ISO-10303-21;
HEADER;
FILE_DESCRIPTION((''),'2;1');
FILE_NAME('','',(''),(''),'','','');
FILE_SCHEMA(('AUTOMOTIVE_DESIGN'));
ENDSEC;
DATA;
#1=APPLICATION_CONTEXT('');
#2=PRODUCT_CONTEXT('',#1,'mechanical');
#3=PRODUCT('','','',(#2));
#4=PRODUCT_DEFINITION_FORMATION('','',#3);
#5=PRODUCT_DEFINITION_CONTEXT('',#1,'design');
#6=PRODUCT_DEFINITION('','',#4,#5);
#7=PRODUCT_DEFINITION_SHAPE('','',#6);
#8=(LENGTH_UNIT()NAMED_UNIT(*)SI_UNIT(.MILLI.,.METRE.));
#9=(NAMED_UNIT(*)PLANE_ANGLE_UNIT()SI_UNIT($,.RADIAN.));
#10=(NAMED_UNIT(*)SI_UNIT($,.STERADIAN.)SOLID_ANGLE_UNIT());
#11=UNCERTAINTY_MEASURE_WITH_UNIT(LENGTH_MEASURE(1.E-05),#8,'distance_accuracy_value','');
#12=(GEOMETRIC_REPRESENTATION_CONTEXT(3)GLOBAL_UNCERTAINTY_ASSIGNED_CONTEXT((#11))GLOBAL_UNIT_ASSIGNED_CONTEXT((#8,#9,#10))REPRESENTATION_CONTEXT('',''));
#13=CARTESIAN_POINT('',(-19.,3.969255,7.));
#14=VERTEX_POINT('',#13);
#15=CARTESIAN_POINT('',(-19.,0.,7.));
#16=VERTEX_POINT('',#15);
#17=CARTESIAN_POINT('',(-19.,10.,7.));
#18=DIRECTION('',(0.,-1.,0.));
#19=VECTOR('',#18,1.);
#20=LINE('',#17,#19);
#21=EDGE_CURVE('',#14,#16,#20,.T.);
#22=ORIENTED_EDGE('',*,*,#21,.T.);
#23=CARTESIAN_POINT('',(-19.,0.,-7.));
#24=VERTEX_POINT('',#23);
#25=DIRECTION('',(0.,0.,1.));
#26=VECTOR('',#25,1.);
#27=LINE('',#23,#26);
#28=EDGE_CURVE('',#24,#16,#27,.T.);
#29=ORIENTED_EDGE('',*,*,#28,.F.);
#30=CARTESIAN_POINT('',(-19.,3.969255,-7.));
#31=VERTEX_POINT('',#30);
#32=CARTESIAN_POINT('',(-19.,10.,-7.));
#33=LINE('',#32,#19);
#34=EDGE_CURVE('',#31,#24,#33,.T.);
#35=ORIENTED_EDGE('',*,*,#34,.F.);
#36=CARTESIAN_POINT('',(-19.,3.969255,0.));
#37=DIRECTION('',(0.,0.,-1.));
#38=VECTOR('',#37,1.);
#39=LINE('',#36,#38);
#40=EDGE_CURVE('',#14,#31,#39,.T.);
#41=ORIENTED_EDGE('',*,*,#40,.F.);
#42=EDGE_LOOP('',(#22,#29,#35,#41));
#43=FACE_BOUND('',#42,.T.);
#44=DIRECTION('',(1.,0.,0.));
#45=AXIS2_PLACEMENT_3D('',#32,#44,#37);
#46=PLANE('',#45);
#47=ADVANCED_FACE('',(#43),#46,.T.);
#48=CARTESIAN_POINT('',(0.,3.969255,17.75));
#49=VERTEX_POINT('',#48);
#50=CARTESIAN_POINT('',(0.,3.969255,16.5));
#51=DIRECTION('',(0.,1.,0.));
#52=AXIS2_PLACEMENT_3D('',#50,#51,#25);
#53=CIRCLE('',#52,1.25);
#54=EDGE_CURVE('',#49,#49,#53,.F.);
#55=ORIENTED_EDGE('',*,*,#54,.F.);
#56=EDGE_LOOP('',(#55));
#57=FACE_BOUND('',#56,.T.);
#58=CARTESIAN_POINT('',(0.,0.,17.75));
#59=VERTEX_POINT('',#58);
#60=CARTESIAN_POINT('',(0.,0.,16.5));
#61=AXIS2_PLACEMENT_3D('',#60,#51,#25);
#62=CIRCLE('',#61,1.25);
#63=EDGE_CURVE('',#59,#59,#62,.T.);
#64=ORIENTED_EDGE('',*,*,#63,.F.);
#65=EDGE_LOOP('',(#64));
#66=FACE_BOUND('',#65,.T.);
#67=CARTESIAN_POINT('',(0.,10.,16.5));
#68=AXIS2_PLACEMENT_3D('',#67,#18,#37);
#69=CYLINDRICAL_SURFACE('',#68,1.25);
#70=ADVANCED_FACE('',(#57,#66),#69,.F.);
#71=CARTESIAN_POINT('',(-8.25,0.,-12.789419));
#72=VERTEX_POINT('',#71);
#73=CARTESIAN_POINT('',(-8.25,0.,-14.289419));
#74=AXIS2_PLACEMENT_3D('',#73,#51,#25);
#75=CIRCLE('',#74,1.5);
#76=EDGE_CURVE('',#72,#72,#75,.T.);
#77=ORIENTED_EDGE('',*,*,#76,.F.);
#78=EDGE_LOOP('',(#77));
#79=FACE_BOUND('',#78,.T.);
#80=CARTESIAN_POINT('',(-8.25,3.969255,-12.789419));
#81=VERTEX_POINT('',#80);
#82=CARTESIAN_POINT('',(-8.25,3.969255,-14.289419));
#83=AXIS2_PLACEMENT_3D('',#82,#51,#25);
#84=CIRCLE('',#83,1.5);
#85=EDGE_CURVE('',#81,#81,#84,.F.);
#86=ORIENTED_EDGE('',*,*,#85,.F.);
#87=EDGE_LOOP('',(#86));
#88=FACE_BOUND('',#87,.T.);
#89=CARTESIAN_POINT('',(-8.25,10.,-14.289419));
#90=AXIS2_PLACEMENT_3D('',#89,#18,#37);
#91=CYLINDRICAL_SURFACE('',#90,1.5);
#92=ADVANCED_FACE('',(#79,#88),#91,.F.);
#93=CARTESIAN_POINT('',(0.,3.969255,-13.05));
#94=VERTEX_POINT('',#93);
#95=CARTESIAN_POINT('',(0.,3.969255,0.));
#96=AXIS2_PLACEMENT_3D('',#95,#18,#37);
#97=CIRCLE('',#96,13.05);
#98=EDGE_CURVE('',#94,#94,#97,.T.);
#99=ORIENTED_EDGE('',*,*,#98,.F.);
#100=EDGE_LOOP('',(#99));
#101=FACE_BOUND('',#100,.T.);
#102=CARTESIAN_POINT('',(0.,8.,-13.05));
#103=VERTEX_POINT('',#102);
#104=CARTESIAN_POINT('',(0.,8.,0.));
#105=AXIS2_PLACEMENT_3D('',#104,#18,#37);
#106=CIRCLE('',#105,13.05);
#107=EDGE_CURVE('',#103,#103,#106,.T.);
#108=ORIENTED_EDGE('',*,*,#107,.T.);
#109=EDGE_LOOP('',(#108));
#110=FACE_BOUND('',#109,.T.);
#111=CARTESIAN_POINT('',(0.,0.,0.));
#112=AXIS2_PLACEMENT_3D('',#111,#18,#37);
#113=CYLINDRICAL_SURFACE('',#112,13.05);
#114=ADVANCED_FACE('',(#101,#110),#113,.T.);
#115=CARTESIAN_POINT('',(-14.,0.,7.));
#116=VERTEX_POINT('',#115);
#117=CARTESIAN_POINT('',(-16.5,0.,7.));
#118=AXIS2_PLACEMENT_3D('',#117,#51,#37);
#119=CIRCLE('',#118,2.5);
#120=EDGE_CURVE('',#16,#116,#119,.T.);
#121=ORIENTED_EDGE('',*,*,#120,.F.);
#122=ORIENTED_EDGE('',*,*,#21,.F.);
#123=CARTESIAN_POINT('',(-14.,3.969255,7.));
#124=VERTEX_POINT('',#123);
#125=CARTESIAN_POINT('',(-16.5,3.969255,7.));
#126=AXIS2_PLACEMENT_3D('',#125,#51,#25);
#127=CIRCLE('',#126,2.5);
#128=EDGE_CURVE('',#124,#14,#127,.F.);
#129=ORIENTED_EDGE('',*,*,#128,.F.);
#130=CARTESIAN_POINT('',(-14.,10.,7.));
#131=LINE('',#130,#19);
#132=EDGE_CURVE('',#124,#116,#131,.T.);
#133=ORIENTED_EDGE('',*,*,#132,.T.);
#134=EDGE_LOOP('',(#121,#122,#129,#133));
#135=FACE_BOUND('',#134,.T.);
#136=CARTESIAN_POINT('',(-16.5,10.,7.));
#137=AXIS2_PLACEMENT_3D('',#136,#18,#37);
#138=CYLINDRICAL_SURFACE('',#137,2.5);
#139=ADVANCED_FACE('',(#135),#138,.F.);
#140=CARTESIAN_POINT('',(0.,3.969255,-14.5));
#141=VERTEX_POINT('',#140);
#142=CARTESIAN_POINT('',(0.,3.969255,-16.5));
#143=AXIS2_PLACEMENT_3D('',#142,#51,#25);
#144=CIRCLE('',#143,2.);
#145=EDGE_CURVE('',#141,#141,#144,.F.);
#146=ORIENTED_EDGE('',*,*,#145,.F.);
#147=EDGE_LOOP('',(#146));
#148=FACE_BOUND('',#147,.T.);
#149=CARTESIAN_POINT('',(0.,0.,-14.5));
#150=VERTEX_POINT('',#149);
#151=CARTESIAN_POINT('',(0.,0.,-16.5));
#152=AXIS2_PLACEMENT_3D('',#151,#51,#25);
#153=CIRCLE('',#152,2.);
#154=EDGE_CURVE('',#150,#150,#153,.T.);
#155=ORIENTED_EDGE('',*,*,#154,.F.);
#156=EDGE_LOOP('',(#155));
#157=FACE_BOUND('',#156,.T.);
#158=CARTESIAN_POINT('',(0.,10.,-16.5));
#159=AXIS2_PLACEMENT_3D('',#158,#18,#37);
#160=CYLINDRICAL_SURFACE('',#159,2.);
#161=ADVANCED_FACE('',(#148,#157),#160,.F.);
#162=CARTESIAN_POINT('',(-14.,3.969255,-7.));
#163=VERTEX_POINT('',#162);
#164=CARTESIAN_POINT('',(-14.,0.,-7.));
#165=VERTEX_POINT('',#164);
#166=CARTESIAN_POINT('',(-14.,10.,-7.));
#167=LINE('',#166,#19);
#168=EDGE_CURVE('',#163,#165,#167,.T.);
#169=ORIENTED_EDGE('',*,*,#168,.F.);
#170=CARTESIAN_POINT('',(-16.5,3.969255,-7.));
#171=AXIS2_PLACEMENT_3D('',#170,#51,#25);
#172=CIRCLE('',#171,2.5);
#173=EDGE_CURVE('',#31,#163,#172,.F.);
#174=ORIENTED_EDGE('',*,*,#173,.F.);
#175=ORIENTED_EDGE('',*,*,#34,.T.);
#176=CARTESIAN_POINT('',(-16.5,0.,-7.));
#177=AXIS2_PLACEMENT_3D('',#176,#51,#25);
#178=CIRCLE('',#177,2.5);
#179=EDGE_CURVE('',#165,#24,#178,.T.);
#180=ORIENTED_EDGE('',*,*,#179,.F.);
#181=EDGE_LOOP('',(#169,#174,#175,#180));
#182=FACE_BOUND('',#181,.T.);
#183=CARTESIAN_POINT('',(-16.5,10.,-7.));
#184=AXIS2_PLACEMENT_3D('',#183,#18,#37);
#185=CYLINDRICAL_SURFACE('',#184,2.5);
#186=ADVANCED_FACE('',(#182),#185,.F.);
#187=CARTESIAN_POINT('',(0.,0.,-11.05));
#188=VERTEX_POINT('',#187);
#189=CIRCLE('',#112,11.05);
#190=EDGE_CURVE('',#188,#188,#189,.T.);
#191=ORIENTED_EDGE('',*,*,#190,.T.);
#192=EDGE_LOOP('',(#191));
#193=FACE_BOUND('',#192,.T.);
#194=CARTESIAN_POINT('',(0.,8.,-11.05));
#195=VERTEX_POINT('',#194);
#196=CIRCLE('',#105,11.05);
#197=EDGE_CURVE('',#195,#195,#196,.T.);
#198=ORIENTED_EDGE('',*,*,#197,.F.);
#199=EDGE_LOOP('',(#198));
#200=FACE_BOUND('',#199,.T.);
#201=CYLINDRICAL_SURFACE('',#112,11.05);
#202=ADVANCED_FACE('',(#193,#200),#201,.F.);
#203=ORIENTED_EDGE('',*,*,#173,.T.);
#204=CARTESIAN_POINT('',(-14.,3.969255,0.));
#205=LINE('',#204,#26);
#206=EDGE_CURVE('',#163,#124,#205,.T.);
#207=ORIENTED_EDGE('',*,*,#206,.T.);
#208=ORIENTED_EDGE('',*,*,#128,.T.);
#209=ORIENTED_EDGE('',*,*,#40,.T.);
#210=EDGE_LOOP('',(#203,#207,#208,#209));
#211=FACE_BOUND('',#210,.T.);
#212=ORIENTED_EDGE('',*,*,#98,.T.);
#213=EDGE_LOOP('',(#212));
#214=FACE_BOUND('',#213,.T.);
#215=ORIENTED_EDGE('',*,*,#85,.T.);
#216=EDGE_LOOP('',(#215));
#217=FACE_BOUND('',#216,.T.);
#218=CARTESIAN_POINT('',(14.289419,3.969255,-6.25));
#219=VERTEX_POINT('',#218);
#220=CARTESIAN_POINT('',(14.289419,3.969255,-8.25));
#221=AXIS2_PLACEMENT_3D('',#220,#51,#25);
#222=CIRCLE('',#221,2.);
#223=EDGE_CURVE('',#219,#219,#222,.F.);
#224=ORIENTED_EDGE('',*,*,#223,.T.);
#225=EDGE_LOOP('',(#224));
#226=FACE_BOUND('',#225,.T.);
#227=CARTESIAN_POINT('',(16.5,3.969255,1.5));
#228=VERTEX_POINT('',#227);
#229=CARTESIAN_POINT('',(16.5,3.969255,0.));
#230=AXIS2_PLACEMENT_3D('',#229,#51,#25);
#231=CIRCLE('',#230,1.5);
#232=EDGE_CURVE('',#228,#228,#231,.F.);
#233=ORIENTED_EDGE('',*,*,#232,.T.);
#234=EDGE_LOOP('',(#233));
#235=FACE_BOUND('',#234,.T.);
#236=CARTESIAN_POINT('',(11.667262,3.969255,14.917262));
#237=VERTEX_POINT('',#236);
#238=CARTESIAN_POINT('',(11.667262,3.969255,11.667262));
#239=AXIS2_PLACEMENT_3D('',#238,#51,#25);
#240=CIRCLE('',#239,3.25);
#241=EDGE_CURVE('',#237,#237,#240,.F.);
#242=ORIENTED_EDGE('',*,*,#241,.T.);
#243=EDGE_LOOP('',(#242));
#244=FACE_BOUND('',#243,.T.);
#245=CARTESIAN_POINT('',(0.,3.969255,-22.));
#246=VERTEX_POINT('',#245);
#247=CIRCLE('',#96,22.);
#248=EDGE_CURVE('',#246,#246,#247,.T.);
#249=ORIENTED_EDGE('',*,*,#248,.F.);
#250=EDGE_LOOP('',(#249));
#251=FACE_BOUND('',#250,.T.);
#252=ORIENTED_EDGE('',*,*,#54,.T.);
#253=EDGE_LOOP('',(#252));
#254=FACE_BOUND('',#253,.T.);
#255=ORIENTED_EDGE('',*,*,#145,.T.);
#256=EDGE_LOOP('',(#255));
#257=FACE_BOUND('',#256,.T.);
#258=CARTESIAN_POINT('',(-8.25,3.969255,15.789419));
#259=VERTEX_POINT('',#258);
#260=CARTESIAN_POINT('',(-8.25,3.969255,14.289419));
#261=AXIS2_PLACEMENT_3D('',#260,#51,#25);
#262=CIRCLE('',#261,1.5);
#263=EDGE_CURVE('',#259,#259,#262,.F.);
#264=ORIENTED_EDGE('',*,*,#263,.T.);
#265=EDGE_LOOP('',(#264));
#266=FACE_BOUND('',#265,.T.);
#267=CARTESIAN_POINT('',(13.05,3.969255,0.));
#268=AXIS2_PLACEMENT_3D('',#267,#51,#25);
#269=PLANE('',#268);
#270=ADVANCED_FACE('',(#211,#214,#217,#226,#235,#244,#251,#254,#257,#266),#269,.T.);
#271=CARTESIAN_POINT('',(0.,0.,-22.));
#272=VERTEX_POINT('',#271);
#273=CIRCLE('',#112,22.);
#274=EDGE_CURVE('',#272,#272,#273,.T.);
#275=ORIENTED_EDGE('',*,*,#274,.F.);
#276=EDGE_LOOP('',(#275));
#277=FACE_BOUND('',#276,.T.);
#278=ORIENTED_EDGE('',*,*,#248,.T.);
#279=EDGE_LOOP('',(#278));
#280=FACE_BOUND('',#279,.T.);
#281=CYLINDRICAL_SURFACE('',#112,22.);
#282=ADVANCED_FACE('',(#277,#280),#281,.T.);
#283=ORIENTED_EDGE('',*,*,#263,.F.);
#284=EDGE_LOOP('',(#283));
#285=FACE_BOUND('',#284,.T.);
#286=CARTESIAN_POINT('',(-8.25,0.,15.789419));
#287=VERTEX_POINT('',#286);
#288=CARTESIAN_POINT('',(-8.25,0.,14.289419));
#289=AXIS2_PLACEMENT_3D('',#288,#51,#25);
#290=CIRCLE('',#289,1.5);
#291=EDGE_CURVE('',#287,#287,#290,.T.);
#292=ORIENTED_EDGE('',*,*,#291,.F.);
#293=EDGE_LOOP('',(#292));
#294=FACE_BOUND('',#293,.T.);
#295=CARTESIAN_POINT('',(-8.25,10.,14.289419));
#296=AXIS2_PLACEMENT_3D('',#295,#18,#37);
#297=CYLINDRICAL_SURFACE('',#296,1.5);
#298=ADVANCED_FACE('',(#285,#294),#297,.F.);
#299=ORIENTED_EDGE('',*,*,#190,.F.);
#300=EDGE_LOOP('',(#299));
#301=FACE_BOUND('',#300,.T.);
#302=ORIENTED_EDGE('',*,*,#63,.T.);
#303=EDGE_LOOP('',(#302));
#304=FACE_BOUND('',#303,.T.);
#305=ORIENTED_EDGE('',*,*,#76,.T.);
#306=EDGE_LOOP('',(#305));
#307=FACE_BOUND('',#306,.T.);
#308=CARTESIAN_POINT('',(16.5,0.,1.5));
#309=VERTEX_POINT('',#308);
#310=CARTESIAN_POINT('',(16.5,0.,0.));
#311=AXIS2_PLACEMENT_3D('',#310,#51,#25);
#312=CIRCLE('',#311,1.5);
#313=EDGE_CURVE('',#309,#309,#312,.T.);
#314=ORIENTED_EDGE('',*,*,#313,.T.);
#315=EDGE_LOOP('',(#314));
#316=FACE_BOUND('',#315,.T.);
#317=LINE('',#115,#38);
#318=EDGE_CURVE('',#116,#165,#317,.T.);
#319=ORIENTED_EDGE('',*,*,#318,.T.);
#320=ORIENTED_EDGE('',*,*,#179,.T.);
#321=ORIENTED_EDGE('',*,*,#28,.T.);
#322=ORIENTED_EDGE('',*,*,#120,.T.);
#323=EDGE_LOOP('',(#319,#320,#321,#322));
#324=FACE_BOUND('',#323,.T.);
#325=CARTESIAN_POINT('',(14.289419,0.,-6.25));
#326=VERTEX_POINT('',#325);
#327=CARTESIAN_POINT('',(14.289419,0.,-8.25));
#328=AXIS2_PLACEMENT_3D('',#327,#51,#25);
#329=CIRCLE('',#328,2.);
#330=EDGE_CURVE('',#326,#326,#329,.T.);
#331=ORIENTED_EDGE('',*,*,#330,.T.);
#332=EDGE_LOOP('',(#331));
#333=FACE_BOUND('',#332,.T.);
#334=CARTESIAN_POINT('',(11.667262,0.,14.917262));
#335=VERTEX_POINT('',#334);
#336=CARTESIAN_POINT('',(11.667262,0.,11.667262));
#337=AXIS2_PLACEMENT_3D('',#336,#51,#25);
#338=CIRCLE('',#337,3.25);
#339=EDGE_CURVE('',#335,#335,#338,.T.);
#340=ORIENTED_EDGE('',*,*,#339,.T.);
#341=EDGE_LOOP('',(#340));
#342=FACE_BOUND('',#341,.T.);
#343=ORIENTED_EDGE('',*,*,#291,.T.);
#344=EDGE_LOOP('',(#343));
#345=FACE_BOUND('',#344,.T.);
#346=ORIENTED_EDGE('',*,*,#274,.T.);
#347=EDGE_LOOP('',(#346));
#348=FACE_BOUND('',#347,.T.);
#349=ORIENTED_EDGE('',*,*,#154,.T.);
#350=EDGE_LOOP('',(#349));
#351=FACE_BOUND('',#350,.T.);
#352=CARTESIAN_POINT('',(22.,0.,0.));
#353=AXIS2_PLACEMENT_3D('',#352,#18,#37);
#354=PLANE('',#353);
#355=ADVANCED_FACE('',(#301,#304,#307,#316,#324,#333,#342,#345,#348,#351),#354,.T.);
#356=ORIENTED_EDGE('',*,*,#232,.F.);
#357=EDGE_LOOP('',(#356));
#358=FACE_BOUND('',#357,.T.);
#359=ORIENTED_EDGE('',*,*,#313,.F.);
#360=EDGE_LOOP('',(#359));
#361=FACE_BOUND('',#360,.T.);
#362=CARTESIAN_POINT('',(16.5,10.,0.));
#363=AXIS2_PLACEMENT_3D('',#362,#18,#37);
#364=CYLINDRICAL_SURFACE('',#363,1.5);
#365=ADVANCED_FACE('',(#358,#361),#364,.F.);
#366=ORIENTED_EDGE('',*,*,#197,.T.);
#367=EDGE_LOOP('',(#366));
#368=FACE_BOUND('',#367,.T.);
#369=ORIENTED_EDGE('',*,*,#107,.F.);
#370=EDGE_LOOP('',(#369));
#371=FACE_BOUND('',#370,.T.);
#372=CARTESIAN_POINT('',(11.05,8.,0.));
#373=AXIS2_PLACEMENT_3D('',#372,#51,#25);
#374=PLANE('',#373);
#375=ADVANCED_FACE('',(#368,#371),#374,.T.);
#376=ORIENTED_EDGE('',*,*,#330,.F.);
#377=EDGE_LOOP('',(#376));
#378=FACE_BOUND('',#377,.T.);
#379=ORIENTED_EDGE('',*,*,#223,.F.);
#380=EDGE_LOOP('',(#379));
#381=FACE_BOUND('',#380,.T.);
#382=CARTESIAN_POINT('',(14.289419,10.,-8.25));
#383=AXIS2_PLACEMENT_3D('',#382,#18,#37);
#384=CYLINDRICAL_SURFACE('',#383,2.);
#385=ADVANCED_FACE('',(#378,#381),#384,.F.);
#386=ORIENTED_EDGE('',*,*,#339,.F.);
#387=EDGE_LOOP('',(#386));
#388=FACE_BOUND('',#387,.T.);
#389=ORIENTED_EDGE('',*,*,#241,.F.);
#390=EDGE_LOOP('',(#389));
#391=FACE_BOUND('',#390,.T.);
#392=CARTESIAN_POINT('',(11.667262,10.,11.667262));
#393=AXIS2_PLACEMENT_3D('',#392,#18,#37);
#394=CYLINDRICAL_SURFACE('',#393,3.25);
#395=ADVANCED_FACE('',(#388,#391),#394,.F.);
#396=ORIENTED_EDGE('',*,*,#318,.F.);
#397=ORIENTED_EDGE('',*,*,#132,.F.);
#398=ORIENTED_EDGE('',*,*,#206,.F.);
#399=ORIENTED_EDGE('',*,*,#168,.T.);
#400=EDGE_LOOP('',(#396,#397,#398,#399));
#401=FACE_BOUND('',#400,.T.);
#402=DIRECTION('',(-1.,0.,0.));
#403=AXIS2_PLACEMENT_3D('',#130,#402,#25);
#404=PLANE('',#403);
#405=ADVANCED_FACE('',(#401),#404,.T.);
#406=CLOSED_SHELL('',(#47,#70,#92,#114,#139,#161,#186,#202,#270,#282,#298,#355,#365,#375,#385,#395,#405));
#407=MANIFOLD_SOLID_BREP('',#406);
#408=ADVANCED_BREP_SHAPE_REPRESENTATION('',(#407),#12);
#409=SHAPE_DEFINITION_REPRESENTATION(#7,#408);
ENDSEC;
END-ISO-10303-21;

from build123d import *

# Parameters (mm, degrees)
SKETCH3_R          = 1.5
SKETCH3_R_2        = 3.25
SKETCH3_R_3        = 2
SKETCH3_R_4        = 1.25
CUT_EXTRUDE1_DEPTH = 10


with BuildPart() as part:
    # Sketch1 → Revolve1 (revolve)
    with BuildSketch(Plane.XY, mode=Mode.PRIVATE) as revolve1_sk:
        Polygon((11.05, 0), (11.05, 8), (13.05, 8), (13.05, 3.969255392), (22, 3.969255392), (22, 0), align=None)
    revolve(revolve1_sk.sketch.rotate(Axis((0, 0, 0), (0, 1, 0)), 90), axis=Axis((0, 0, 0), (0, 1, 0)))

    # Sketch3 → Cut-Extrude1 (cut)
    with BuildSketch(Plane(origin=(0, 0, 0), x_dir=(1, 0, 0), z_dir=(0, 1, 0))):
        with Locations(Location((16.5, 0, 0), (0, 0, 270))):
            Circle(SKETCH3_R)
        with Locations(Location((-8.25, -14.289419162, 0), (0, 0, 270))):
            Circle(SKETCH3_R)
        with Locations(Location((-8.25, 14.289419162, 0), (0, 0, 270))):
            Circle(SKETCH3_R)
        with Locations(Location((11.66726189, -11.66726189, 0), (0, 0, 270))):
            Circle(SKETCH3_R_2)
        with Locations(Location((14.289419162, 8.25, 0), (0, 0, 270))):
            Circle(SKETCH3_R_3)
        with Locations(Location((0, 16.5, 0), (0, 0, 270))):
            Circle(SKETCH3_R_3)
        with Locations(Location((0, -16.5, 0), (0, 0, 270))):
            Circle(SKETCH3_R_4)
        with BuildLine():
            Line((-14, -7), (-14, 7))
            ThreePointArc((-14, 7), (-16.5, 9.5), (-19, 7))
            Line((-19, 7), (-19, -7))
            ThreePointArc((-19, -7), (-16.5, -9.5), (-14, -7))
        make_face()
    extrude(amount=CUT_EXTRUDE1_DEPTH, mode=Mode.SUBTRACT)


solid = part.part
